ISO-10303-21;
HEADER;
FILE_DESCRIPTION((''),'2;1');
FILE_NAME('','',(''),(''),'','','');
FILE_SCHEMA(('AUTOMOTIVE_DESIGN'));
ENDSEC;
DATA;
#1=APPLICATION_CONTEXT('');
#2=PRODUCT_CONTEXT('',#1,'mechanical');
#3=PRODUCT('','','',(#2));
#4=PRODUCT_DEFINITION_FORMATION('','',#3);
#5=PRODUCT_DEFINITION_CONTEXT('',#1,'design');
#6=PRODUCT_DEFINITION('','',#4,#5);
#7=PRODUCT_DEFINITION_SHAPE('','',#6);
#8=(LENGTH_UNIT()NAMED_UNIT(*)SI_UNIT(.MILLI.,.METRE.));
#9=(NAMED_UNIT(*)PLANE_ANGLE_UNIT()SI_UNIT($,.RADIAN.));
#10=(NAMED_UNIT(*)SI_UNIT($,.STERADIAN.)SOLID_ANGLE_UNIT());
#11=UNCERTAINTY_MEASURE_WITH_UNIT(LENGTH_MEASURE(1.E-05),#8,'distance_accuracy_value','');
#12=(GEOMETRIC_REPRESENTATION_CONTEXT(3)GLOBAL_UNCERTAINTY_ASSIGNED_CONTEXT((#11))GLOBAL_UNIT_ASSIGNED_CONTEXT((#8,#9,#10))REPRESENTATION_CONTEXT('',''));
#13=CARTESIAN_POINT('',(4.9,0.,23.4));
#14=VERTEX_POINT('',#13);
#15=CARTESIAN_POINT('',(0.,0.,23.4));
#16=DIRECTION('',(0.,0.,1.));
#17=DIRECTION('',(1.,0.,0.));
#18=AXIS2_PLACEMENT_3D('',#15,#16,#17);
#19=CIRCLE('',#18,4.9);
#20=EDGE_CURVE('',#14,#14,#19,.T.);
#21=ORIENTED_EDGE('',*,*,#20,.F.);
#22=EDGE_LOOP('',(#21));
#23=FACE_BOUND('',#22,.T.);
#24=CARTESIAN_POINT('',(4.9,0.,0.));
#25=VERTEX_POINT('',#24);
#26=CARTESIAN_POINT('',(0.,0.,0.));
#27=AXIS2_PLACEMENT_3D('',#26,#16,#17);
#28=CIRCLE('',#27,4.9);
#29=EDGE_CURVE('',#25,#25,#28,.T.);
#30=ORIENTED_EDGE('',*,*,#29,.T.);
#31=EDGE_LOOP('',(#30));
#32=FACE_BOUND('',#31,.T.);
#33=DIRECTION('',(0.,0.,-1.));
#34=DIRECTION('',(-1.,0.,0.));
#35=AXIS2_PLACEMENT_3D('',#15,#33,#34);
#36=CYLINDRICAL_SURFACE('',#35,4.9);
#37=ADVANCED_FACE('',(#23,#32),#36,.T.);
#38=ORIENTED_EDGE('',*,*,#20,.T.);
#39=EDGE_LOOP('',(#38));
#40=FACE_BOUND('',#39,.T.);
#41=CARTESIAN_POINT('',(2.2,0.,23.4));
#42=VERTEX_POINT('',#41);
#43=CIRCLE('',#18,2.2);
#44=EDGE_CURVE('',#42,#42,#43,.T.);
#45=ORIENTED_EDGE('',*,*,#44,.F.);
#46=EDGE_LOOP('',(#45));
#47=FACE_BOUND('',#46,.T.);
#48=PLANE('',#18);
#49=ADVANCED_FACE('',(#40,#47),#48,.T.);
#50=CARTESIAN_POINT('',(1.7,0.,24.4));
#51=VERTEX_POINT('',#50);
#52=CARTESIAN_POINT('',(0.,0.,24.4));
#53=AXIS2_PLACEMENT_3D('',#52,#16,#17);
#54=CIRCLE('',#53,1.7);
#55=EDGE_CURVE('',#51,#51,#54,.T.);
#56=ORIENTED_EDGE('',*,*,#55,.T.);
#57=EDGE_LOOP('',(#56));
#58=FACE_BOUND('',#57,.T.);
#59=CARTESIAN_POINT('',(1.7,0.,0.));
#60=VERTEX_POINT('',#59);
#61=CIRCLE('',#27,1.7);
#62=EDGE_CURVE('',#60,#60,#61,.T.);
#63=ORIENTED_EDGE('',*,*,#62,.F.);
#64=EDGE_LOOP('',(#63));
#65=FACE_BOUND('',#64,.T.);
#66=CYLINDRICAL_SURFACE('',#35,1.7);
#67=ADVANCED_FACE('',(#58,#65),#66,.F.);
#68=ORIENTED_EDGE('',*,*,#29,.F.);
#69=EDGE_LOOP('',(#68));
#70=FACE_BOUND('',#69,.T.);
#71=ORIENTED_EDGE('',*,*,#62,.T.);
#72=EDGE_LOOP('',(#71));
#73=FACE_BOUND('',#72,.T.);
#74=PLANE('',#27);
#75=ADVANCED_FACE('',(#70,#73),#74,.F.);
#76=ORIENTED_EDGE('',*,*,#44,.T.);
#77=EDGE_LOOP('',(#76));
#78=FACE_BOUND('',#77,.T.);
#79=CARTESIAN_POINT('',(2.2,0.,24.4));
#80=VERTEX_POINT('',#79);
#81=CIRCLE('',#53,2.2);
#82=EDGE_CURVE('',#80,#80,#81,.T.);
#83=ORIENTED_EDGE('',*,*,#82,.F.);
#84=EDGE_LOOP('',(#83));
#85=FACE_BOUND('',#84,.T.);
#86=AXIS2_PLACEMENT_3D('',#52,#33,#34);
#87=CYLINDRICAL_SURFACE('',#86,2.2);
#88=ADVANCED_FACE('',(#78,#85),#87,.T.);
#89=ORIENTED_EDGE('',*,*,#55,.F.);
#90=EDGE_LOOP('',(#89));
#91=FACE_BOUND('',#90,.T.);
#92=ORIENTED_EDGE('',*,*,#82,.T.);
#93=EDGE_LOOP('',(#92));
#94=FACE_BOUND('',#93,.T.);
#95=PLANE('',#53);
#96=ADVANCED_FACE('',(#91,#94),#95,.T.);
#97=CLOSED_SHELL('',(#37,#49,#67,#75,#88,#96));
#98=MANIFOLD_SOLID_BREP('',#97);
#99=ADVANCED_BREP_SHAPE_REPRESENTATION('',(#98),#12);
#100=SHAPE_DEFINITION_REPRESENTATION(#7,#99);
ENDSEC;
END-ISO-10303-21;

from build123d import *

# Parameters (mm, degrees)
SKETCH1_R           = 4.9
SKETCH1_R_2         = 1.7
BOSS_EXTRUDE1_DEPTH = 23.4
SKETCH2_R           = 2.2
SKETCH2_R_2         = 1.7
BOSS_EXTRUDE2_DEPTH = 1


with BuildPart() as part:
    # Sketch1 → Boss-Extrude1 (new body)
    with BuildSketch(Plane.XY):
        Circle(SKETCH1_R)
        Circle(SKETCH1_R_2, mode=Mode.SUBTRACT)
    extrude(amount=BOSS_EXTRUDE1_DEPTH)

    # Sketch2 → Boss-Extrude2 (add)
    with BuildSketch(Plane.XY.offset(23.4)):
        Circle(SKETCH2_R)
        Circle(SKETCH2_R_2, mode=Mode.SUBTRACT)
    extrude(amount=BOSS_EXTRUDE2_DEPTH)


solid = part.part
